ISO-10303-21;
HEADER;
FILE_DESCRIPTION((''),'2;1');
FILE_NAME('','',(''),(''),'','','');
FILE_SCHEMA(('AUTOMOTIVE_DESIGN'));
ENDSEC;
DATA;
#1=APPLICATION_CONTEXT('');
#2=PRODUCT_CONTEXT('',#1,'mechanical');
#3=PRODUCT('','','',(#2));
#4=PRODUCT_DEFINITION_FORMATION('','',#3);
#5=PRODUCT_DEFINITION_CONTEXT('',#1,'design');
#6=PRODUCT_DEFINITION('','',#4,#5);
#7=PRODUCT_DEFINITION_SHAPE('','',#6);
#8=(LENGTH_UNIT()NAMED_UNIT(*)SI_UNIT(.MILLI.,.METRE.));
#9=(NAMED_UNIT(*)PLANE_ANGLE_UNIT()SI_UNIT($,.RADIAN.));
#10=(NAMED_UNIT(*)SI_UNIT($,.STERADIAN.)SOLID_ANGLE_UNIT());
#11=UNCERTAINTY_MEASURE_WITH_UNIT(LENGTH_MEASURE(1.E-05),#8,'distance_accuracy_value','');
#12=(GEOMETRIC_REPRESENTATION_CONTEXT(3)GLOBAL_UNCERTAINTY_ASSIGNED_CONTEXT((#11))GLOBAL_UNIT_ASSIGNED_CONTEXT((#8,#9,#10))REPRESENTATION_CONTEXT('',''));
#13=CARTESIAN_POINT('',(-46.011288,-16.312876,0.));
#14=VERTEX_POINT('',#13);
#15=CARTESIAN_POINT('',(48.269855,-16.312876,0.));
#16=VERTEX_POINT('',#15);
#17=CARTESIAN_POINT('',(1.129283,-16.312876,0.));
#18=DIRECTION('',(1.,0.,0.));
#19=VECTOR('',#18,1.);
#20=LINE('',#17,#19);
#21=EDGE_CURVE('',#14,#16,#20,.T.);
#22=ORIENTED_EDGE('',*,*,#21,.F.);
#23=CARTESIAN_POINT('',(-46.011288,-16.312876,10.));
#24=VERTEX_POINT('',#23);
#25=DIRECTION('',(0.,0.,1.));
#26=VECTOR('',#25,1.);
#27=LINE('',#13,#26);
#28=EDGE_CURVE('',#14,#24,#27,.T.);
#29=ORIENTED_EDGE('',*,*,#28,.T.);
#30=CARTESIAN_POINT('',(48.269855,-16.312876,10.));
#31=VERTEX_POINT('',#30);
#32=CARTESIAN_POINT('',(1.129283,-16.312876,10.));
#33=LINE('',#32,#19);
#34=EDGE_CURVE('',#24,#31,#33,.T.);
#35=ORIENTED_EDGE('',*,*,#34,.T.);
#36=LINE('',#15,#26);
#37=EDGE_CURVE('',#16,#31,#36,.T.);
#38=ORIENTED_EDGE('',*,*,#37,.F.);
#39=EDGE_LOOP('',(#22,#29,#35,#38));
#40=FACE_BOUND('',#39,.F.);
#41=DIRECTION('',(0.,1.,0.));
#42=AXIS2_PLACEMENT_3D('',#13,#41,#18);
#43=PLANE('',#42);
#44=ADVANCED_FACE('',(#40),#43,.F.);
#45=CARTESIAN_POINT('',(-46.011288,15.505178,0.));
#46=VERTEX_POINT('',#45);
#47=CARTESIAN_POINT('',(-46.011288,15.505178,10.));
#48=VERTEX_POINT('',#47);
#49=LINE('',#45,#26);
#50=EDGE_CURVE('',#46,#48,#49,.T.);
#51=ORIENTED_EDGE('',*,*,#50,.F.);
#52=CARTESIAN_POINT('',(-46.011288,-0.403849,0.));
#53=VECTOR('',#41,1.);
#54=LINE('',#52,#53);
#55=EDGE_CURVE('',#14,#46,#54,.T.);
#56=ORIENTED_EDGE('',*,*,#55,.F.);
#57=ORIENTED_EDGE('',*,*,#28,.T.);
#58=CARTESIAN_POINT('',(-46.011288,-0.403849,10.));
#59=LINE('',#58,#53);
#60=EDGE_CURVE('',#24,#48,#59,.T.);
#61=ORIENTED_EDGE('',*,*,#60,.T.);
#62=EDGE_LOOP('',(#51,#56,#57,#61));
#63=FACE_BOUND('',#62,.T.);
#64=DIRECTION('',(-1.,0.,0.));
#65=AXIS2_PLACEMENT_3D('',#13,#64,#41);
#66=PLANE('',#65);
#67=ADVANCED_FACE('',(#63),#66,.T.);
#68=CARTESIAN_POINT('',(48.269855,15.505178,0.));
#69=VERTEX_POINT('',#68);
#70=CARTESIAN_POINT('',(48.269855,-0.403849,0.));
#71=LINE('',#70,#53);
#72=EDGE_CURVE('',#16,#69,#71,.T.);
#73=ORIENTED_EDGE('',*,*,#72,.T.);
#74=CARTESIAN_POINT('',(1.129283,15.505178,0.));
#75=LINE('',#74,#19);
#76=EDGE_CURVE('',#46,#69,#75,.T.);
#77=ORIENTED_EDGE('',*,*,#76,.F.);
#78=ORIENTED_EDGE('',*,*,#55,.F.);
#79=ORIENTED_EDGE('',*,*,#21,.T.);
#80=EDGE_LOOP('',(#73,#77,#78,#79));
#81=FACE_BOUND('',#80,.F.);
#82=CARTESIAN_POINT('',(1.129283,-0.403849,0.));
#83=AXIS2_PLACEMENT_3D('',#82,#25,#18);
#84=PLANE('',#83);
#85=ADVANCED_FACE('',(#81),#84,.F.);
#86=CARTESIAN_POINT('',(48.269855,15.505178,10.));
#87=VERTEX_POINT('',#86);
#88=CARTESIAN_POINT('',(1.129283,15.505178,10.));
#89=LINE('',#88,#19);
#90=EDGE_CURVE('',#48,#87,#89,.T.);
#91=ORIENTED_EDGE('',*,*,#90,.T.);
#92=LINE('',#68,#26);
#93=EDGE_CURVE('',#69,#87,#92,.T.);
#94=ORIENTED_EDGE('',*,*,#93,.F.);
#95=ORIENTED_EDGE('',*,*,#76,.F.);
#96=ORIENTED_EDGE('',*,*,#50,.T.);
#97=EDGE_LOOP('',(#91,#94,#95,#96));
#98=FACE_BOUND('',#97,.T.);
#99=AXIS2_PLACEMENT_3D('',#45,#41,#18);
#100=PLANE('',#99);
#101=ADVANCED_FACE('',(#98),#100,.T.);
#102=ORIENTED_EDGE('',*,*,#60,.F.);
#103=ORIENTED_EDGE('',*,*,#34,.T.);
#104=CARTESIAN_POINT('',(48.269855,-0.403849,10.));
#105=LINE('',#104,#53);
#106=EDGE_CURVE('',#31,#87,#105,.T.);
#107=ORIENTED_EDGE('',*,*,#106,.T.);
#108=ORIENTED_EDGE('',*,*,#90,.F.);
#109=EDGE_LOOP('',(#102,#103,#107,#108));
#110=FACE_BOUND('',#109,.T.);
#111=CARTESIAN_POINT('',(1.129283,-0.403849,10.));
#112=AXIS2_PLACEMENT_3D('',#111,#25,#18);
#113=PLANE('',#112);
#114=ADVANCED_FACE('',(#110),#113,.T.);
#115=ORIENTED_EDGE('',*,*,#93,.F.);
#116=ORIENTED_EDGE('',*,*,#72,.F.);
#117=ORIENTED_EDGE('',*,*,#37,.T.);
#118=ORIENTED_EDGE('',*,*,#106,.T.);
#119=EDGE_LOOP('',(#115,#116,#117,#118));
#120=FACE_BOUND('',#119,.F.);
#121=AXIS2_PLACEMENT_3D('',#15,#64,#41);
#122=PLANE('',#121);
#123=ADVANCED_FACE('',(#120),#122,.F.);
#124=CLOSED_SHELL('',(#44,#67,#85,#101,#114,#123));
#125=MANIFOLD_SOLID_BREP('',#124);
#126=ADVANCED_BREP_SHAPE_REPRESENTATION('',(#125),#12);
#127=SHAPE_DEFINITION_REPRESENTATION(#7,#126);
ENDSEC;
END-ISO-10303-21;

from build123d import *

# Parameters (mm, degrees)
SKETCH_W  = 94.281143
SKETCH_H  = 31.818053
PAD_DEPTH = 10


with BuildPart() as part:
    # Sketch → Pad (new body)
    with BuildSketch(Plane.XY):
        with Locations((1.129283, -0.403849)):
            Rectangle(SKETCH_W, SKETCH_H)
    extrude(amount=PAD_DEPTH)


solid = part.part
